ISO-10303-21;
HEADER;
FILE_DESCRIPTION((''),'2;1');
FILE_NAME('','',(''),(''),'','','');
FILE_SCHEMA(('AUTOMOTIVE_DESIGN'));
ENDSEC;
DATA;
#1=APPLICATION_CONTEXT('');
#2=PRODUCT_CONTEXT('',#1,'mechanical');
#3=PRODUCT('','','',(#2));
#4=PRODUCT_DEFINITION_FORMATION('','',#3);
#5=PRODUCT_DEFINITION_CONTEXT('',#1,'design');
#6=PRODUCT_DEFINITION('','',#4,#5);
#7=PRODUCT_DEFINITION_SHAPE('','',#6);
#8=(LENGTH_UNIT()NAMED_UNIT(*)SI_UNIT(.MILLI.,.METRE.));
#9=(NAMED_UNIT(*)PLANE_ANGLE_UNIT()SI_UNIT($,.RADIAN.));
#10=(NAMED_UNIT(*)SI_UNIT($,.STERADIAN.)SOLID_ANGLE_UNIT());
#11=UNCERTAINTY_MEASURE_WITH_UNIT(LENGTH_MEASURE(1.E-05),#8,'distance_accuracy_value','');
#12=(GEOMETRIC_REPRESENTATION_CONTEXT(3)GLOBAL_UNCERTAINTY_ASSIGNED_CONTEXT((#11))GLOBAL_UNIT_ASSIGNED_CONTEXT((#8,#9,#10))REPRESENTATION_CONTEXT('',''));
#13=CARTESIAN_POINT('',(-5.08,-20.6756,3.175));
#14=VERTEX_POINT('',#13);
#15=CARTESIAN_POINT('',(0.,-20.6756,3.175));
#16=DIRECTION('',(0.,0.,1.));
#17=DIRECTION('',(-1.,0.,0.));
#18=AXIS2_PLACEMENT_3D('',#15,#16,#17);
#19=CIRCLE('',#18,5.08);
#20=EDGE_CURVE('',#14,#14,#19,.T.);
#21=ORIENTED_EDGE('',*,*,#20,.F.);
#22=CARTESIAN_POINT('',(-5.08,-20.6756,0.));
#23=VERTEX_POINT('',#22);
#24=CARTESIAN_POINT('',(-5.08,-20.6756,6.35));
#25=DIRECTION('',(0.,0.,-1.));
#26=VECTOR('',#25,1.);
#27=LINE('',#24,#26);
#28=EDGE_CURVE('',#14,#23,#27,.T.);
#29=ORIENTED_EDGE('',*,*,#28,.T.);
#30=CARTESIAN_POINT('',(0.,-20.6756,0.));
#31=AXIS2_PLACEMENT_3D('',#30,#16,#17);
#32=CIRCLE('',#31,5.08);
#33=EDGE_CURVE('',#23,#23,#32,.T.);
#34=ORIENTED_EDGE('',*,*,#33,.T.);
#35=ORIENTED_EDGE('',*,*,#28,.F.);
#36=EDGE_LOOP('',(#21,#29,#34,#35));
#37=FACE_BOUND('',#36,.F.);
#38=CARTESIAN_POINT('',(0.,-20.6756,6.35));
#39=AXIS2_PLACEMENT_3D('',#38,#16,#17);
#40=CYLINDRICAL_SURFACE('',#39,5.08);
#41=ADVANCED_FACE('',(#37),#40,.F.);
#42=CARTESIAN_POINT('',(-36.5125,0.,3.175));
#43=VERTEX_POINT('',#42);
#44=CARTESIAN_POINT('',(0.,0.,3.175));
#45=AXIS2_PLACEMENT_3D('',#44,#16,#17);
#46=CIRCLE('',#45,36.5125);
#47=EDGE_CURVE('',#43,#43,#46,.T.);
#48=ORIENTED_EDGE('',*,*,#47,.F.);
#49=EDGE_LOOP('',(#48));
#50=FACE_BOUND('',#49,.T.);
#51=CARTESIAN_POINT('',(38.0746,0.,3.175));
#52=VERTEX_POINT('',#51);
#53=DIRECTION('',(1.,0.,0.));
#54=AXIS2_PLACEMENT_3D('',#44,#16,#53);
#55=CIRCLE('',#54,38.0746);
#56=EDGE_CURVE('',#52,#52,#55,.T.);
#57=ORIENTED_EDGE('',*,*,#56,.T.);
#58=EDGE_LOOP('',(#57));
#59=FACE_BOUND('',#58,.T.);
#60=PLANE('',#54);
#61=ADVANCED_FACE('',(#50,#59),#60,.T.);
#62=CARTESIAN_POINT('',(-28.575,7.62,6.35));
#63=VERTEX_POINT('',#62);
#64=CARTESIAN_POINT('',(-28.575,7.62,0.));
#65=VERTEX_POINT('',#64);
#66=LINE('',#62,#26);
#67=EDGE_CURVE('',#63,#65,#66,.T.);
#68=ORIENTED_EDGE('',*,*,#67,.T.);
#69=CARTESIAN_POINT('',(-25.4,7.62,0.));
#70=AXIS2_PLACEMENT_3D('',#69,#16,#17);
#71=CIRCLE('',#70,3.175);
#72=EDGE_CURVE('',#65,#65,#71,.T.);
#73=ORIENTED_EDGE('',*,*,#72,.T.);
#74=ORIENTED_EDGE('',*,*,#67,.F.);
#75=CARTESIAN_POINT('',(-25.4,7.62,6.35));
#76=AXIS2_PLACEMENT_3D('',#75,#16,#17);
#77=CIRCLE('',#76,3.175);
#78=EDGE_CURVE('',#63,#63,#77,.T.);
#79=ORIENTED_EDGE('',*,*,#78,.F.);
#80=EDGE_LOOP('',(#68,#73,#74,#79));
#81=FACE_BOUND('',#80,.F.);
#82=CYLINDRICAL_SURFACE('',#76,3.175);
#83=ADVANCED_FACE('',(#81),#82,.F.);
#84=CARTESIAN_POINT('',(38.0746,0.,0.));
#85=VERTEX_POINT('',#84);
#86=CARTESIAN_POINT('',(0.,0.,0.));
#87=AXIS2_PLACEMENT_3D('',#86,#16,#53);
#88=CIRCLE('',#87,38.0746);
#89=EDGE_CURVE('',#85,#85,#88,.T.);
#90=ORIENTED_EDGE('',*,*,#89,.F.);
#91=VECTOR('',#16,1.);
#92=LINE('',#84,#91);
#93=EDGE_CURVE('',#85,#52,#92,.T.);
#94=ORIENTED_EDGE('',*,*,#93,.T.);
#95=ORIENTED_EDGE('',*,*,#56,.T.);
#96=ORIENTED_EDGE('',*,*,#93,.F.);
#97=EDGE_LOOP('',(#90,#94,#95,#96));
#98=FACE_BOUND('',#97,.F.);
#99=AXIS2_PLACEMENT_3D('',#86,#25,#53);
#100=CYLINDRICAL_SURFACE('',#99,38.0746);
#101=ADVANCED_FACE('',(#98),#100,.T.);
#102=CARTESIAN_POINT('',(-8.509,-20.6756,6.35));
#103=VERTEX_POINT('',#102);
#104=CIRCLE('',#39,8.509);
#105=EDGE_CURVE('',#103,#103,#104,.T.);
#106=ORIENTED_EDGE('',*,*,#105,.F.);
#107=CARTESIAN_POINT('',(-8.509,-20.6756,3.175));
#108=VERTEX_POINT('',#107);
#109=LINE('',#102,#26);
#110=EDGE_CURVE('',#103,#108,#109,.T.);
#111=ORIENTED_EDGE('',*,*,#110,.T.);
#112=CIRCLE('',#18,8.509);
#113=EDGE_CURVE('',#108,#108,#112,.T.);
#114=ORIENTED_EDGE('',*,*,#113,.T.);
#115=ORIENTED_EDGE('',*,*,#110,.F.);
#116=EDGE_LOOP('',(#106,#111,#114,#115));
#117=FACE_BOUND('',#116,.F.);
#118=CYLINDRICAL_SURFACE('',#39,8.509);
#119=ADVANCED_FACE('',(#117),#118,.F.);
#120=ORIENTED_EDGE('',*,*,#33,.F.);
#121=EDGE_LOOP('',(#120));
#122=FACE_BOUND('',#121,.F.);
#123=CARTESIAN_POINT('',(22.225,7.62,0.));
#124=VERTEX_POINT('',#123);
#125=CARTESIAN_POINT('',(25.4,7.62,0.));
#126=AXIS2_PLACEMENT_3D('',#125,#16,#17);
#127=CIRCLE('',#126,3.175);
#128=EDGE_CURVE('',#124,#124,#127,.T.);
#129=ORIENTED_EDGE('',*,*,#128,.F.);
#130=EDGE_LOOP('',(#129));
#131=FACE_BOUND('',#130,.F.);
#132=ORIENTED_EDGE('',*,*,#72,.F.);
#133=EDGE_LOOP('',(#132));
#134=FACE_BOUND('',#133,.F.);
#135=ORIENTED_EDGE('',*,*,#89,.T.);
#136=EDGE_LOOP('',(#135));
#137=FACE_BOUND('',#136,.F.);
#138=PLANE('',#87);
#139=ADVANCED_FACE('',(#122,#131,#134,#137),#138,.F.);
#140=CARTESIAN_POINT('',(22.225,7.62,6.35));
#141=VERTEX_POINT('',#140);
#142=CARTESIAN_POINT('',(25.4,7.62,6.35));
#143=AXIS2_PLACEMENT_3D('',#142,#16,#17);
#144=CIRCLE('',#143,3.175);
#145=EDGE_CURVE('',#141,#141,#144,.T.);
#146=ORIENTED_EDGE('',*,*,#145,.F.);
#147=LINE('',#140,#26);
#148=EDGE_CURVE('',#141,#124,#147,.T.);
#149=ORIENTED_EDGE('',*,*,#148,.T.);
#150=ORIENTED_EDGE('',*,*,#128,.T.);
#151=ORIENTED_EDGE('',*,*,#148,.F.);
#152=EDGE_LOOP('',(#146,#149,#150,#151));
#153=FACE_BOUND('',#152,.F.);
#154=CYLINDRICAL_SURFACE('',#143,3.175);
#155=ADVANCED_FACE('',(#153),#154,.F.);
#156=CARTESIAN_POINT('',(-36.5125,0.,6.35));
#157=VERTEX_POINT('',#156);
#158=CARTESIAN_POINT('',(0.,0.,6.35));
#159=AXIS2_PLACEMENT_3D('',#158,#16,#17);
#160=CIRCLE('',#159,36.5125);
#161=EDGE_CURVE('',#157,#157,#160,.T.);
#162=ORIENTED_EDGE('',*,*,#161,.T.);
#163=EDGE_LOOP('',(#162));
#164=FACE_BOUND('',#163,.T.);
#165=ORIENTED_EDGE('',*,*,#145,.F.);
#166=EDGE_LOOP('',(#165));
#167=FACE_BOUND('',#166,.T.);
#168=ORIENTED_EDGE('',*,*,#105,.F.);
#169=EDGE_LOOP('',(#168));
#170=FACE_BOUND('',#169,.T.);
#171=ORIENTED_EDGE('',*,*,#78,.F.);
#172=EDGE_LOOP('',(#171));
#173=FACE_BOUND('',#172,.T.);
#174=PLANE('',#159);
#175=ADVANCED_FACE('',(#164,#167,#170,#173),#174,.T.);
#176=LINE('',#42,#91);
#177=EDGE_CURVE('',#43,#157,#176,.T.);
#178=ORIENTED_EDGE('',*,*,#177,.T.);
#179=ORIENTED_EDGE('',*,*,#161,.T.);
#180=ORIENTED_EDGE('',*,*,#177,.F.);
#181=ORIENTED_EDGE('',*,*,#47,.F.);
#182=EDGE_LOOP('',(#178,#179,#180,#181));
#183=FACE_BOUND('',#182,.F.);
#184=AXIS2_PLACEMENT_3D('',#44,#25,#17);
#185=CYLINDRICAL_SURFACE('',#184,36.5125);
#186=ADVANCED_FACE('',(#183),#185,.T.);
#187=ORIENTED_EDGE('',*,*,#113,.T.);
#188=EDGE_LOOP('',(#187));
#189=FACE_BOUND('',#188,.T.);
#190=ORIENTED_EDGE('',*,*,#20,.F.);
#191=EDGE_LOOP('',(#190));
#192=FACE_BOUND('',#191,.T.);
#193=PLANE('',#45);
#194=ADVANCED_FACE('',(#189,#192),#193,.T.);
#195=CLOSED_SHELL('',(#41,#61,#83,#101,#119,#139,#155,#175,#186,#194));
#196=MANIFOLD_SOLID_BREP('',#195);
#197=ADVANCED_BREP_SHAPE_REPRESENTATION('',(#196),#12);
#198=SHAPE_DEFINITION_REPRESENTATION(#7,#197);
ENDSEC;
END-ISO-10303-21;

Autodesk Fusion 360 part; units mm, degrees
sketch "Sketch1" plane through (0, 0, 0) normal (0, 0, 1) x (1, 0, 0)
  circle A0 centre (0, 0) radius 38.0746
  dimension "d1" = 76.1492
extrude "Extrude1" add sketch "Sketch1" along normal blind 3.175
sketch "Sketch2" plane through (0, 0, 3.175) normal (0, 0, 1) x (-1, 0, 0)
  circle A0 centre (0, 0) radius 38.0746
  circle A1 centre (0, 0) radius 36.5125
  dimension "d4" = 73.025
extrude "Extrude2" add sketch "Sketch2" along normal blind 3.175 contours A1
sketch "Sketch3" plane through (0, 0, 6.35) normal (0, 0, 1) x (-1, 0, 0)
  circle A0 centre (0, 0) radius 36.5125
  circle A1 centre (25.4, -7.62) radius 3.175
  circle A2 centre (-25.4, -7.62) radius 3.175
  circle A3 centre (0, 20.6756) radius 5.08
  circle A4 centre (0, 0) radius 38.0746
  dimension "d7" = 50.8
  dimension "d8" = 25.4
  dimension "d9" = 7.62
  dimension "d10" = 6.35
  dimension "d11" = 6.35
  dimension "d12" = 10.16
  dimension "d13" = 20.6756
extrude "Extrude3" cut sketch "Sketch3" against normal blind 6.35 contours A1 | A2 | A3
sketch "Sketch4" plane through (0, 0, 6.35) normal (0, 0, 1) x (-1, 0, 0)
  circle A0 centre (-25.4, -7.62) radius 3.175
  circle A1 centre (0, 20.6756) radius 5.08
  circle A2 centre (25.4, -7.62) radius 3.175
  circle A3 centre (0, 0) radius 36.5125
  circle A4 centre (0, 20.6756) radius 8.509
  dimension "d16" = 17.018
extrude "Extrude4" cut sketch "Sketch4" against normal blind 3.175 contours A4
equation "d2 = ( 0.25 / 2 ) * 1 in"
equation "d5 = ( 0.25 / 2 ) * 1 in"
